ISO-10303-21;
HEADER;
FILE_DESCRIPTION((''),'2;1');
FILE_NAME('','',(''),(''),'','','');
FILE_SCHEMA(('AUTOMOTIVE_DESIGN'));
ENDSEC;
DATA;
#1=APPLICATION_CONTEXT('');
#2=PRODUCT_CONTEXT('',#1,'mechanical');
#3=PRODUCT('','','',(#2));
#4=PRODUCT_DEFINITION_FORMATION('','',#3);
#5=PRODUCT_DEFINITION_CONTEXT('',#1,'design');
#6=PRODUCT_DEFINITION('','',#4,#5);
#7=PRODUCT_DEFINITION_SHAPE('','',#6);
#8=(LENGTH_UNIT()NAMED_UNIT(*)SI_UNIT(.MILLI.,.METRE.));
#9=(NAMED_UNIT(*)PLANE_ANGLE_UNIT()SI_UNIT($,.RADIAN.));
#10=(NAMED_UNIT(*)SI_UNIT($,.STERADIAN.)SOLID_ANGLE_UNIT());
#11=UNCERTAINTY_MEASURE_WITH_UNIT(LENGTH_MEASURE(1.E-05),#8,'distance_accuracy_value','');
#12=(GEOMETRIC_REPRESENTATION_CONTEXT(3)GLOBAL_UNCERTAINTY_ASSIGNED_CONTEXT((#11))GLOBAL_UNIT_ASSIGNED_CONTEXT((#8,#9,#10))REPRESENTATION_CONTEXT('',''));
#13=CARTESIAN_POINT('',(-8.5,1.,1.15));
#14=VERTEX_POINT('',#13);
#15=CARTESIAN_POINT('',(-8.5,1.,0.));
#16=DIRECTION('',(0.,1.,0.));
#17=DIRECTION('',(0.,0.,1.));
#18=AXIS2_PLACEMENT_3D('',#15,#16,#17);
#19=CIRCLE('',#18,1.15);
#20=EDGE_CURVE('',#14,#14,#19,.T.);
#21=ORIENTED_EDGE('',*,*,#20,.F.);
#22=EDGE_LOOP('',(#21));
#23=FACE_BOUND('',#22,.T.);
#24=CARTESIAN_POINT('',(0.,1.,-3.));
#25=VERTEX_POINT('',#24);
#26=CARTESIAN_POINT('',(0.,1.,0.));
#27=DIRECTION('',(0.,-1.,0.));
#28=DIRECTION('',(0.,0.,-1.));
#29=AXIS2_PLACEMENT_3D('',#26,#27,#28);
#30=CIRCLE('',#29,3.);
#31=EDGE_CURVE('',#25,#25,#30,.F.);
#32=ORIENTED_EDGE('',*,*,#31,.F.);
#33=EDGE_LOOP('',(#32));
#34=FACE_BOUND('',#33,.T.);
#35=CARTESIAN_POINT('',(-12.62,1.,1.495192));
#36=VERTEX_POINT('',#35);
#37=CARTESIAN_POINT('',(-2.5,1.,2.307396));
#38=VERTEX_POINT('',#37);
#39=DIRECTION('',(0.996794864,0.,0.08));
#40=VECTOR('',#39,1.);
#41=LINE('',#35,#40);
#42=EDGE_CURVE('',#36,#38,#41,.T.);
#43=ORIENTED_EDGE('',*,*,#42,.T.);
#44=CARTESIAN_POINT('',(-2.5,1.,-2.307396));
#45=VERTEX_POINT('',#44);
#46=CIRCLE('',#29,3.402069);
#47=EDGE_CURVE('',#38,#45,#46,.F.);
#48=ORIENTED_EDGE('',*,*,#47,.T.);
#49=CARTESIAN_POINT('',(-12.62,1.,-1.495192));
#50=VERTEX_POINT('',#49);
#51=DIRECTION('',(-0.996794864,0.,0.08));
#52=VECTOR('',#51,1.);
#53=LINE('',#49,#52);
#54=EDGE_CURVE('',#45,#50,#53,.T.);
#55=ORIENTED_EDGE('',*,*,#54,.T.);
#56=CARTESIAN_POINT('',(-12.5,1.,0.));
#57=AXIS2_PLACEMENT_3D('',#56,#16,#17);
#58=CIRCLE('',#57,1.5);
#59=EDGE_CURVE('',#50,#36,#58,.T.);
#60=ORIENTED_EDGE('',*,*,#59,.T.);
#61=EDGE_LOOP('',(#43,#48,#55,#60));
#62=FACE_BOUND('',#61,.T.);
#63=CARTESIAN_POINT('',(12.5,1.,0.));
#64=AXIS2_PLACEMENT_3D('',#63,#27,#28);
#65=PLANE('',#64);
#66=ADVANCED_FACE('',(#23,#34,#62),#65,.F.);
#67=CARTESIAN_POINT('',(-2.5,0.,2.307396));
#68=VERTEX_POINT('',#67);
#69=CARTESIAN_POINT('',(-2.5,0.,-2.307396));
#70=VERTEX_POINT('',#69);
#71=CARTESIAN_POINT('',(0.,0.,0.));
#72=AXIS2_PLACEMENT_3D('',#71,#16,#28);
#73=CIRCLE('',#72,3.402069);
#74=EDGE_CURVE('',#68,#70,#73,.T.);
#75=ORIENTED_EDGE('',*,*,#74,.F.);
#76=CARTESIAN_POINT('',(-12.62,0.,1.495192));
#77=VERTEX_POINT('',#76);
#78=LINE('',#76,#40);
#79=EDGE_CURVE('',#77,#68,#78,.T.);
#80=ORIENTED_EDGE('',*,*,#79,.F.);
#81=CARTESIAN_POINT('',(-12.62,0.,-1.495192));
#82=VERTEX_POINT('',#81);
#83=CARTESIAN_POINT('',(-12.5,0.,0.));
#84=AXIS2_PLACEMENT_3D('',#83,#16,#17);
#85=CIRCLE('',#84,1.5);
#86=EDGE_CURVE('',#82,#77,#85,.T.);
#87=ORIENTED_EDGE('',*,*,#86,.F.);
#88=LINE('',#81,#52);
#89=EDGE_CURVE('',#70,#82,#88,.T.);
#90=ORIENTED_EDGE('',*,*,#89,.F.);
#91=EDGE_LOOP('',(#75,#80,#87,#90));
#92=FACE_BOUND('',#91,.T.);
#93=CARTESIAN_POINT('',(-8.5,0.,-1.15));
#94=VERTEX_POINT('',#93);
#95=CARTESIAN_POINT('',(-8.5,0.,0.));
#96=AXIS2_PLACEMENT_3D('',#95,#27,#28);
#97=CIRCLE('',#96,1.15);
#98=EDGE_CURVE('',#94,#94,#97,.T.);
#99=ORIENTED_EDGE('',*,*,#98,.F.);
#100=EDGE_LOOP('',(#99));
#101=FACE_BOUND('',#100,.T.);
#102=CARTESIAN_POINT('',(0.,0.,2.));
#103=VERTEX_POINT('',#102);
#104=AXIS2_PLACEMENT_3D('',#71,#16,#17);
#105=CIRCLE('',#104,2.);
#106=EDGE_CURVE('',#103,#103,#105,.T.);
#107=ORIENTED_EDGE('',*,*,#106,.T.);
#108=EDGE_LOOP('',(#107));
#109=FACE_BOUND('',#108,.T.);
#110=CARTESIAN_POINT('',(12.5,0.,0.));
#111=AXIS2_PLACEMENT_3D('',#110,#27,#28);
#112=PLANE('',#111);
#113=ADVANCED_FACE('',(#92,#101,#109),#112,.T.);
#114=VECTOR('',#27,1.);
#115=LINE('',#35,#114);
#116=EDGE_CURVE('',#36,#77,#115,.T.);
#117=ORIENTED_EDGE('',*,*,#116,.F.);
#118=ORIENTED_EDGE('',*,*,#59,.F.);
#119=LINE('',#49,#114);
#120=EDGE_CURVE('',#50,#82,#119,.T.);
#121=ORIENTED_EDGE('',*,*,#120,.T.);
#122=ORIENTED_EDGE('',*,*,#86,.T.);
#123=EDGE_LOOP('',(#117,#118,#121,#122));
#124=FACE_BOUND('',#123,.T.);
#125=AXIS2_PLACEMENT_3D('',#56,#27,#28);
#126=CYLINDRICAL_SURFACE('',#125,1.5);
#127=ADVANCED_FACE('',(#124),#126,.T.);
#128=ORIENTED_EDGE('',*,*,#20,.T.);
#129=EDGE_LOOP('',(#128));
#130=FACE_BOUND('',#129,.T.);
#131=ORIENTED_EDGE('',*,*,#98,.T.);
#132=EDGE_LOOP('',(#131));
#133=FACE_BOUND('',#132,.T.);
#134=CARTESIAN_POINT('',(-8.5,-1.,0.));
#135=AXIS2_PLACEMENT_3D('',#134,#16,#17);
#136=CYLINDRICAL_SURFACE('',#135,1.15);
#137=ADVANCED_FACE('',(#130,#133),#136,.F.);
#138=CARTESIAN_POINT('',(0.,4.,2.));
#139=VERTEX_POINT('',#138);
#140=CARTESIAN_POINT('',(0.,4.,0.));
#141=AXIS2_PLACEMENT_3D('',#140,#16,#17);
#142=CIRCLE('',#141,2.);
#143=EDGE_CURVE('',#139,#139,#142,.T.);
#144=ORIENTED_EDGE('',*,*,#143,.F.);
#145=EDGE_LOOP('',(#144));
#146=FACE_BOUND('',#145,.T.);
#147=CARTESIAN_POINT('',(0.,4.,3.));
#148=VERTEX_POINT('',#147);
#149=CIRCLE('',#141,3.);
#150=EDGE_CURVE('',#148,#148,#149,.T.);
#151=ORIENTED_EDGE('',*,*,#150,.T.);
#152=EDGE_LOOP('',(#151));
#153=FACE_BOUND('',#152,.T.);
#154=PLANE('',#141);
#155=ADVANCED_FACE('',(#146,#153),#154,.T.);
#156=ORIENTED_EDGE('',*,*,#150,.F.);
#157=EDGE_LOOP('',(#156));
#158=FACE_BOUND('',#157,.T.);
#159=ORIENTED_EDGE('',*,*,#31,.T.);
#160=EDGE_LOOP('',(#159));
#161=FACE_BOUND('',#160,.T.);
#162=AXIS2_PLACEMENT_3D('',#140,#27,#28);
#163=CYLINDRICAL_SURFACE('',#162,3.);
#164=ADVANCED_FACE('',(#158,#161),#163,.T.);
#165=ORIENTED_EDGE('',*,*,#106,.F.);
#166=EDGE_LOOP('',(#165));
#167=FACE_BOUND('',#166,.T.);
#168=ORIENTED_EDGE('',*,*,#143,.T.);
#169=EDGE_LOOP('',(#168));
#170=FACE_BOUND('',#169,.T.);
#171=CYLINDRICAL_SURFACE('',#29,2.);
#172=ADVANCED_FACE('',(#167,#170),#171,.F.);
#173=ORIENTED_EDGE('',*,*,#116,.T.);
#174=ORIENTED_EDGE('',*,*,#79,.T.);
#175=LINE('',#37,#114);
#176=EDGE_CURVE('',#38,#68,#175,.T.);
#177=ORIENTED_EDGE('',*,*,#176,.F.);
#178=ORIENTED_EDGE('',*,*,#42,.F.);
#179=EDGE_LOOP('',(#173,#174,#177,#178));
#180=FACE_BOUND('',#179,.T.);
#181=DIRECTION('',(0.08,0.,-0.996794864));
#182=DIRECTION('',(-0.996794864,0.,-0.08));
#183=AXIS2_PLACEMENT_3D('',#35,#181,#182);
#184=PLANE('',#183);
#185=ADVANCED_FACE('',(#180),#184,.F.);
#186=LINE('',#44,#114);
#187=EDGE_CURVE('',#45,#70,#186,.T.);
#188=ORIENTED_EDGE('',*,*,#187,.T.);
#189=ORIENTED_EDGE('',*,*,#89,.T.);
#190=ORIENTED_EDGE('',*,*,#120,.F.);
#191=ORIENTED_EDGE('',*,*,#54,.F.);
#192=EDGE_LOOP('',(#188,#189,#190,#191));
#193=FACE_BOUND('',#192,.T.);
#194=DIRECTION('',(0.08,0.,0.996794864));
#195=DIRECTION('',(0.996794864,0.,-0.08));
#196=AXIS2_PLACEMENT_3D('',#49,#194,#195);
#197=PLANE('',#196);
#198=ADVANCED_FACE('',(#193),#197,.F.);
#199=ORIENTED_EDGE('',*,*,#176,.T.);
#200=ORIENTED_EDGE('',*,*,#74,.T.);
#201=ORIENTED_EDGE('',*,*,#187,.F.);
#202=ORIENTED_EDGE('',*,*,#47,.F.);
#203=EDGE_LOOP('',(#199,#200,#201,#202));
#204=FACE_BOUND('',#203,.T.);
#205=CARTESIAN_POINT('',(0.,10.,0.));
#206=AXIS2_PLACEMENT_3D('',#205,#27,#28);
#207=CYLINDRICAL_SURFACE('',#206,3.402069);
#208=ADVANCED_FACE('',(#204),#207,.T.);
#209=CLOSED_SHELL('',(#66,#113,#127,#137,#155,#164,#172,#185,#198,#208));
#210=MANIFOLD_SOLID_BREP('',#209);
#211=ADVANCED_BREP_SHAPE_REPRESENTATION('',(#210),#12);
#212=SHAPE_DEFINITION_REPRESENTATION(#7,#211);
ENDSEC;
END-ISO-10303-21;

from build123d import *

# Parameters (mm, degrees)
SKICA1_R                 = 2
P_IDAT_VYSUNUT_M1_DEPTH  = 1
SKICA2_R                 = 1.15
ODEBRAT_VYSUNUT_M1_DEPTH = 2
SKICA3_R                 = 3
SKICA3_R_2               = 2
P_IDAT_VYSUNUT_M2_DEPTH  = 3
ODEBRAT_VYSUNUT_M2_DEPTH = 10


with BuildPart() as part:
    # Skica1 → Přidat vysunutím1 (new body)
    with BuildSketch(Plane(origin=(0, 0, 0), x_dir=(1, 0, 0), z_dir=(0, 1, 0))):
        with BuildLine():
            Line((-12.62, 1.495192295), (-2.5, 2.307395517))
            Line((-2.5, 2.307395517), (-2.5, 5.25))
            ThreePointArc((-2.5, 5.25), (0, 7.75), (2.5, 5.25))
            Line((2.5, 5.25), (2.5, 2.307395517))
            Line((2.5, 2.307395517), (12.62, 1.495192295))
            ThreePointArc((12.62, 1.495192295), (14, 0), (12.62, -1.495192295))
            Line((12.62, -1.495192295), (2.5, -2.307395517))
            Line((2.5, -2.307395517), (2.5, -5.25))
            ThreePointArc((2.5, -5.25), (0, -7.75), (-2.5, -5.25))
            Line((-2.5, -5.25), (-2.5, -2.307395517))
            Line((-2.5, -2.307395517), (-12.62, -1.495192295))
            ThreePointArc((-12.62, -1.495192295), (-14, 0), (-12.62, 1.495192295))
        make_face()
        Circle(SKICA1_R, mode=Mode.SUBTRACT)
    extrude(amount=P_IDAT_VYSUNUT_M1_DEPTH)

    # Skica2 → Odebrat vysunutím1 (cut)
    with BuildSketch(Plane(origin=(0, 1, 0), x_dir=(1, 0, 0), z_dir=(0, 1, 0))):
        with Locations((-8.5, 0)):
            Circle(SKICA2_R)
        with Locations((8.5, 0)):
            Circle(SKICA2_R)
    extrude(amount=-ODEBRAT_VYSUNUT_M1_DEPTH, mode=Mode.SUBTRACT)

    # Skica3 → Přidat vysunutím2 (add)
    with BuildSketch(Plane(origin=(0, 1, 0), x_dir=(1, 0, 0), z_dir=(0, 1, 0))):
        Circle(SKICA3_R)
        Circle(SKICA3_R_2, mode=Mode.SUBTRACT)
    extrude(amount=P_IDAT_VYSUNUT_M2_DEPTH)

    # Skica4 → Odebrat vysunutím2 (cut)
    with BuildSketch(Plane.XZ):
        with BuildLine():
            Line((-2.5, 2.307395517), (-2.5, 10.588101579))
            Line((-2.5, 10.588101579), (18.005147354, 10.588101579))
            Line((18.005147354, 10.588101579), (18.005147354, -8.717716122))
            Line((18.005147354, -8.717716122), (-2.5, -8.868206906))
            Line((-2.5, -8.868206906), (-2.5, -2.307395517))
            ThreePointArc((-2.5, -2.307395517), (3.402069087, 0), (-2.5, 2.307395517))
        make_face()
    extrude(amount=-ODEBRAT_VYSUNUT_M2_DEPTH, mode=Mode.SUBTRACT)


solid = part.part
